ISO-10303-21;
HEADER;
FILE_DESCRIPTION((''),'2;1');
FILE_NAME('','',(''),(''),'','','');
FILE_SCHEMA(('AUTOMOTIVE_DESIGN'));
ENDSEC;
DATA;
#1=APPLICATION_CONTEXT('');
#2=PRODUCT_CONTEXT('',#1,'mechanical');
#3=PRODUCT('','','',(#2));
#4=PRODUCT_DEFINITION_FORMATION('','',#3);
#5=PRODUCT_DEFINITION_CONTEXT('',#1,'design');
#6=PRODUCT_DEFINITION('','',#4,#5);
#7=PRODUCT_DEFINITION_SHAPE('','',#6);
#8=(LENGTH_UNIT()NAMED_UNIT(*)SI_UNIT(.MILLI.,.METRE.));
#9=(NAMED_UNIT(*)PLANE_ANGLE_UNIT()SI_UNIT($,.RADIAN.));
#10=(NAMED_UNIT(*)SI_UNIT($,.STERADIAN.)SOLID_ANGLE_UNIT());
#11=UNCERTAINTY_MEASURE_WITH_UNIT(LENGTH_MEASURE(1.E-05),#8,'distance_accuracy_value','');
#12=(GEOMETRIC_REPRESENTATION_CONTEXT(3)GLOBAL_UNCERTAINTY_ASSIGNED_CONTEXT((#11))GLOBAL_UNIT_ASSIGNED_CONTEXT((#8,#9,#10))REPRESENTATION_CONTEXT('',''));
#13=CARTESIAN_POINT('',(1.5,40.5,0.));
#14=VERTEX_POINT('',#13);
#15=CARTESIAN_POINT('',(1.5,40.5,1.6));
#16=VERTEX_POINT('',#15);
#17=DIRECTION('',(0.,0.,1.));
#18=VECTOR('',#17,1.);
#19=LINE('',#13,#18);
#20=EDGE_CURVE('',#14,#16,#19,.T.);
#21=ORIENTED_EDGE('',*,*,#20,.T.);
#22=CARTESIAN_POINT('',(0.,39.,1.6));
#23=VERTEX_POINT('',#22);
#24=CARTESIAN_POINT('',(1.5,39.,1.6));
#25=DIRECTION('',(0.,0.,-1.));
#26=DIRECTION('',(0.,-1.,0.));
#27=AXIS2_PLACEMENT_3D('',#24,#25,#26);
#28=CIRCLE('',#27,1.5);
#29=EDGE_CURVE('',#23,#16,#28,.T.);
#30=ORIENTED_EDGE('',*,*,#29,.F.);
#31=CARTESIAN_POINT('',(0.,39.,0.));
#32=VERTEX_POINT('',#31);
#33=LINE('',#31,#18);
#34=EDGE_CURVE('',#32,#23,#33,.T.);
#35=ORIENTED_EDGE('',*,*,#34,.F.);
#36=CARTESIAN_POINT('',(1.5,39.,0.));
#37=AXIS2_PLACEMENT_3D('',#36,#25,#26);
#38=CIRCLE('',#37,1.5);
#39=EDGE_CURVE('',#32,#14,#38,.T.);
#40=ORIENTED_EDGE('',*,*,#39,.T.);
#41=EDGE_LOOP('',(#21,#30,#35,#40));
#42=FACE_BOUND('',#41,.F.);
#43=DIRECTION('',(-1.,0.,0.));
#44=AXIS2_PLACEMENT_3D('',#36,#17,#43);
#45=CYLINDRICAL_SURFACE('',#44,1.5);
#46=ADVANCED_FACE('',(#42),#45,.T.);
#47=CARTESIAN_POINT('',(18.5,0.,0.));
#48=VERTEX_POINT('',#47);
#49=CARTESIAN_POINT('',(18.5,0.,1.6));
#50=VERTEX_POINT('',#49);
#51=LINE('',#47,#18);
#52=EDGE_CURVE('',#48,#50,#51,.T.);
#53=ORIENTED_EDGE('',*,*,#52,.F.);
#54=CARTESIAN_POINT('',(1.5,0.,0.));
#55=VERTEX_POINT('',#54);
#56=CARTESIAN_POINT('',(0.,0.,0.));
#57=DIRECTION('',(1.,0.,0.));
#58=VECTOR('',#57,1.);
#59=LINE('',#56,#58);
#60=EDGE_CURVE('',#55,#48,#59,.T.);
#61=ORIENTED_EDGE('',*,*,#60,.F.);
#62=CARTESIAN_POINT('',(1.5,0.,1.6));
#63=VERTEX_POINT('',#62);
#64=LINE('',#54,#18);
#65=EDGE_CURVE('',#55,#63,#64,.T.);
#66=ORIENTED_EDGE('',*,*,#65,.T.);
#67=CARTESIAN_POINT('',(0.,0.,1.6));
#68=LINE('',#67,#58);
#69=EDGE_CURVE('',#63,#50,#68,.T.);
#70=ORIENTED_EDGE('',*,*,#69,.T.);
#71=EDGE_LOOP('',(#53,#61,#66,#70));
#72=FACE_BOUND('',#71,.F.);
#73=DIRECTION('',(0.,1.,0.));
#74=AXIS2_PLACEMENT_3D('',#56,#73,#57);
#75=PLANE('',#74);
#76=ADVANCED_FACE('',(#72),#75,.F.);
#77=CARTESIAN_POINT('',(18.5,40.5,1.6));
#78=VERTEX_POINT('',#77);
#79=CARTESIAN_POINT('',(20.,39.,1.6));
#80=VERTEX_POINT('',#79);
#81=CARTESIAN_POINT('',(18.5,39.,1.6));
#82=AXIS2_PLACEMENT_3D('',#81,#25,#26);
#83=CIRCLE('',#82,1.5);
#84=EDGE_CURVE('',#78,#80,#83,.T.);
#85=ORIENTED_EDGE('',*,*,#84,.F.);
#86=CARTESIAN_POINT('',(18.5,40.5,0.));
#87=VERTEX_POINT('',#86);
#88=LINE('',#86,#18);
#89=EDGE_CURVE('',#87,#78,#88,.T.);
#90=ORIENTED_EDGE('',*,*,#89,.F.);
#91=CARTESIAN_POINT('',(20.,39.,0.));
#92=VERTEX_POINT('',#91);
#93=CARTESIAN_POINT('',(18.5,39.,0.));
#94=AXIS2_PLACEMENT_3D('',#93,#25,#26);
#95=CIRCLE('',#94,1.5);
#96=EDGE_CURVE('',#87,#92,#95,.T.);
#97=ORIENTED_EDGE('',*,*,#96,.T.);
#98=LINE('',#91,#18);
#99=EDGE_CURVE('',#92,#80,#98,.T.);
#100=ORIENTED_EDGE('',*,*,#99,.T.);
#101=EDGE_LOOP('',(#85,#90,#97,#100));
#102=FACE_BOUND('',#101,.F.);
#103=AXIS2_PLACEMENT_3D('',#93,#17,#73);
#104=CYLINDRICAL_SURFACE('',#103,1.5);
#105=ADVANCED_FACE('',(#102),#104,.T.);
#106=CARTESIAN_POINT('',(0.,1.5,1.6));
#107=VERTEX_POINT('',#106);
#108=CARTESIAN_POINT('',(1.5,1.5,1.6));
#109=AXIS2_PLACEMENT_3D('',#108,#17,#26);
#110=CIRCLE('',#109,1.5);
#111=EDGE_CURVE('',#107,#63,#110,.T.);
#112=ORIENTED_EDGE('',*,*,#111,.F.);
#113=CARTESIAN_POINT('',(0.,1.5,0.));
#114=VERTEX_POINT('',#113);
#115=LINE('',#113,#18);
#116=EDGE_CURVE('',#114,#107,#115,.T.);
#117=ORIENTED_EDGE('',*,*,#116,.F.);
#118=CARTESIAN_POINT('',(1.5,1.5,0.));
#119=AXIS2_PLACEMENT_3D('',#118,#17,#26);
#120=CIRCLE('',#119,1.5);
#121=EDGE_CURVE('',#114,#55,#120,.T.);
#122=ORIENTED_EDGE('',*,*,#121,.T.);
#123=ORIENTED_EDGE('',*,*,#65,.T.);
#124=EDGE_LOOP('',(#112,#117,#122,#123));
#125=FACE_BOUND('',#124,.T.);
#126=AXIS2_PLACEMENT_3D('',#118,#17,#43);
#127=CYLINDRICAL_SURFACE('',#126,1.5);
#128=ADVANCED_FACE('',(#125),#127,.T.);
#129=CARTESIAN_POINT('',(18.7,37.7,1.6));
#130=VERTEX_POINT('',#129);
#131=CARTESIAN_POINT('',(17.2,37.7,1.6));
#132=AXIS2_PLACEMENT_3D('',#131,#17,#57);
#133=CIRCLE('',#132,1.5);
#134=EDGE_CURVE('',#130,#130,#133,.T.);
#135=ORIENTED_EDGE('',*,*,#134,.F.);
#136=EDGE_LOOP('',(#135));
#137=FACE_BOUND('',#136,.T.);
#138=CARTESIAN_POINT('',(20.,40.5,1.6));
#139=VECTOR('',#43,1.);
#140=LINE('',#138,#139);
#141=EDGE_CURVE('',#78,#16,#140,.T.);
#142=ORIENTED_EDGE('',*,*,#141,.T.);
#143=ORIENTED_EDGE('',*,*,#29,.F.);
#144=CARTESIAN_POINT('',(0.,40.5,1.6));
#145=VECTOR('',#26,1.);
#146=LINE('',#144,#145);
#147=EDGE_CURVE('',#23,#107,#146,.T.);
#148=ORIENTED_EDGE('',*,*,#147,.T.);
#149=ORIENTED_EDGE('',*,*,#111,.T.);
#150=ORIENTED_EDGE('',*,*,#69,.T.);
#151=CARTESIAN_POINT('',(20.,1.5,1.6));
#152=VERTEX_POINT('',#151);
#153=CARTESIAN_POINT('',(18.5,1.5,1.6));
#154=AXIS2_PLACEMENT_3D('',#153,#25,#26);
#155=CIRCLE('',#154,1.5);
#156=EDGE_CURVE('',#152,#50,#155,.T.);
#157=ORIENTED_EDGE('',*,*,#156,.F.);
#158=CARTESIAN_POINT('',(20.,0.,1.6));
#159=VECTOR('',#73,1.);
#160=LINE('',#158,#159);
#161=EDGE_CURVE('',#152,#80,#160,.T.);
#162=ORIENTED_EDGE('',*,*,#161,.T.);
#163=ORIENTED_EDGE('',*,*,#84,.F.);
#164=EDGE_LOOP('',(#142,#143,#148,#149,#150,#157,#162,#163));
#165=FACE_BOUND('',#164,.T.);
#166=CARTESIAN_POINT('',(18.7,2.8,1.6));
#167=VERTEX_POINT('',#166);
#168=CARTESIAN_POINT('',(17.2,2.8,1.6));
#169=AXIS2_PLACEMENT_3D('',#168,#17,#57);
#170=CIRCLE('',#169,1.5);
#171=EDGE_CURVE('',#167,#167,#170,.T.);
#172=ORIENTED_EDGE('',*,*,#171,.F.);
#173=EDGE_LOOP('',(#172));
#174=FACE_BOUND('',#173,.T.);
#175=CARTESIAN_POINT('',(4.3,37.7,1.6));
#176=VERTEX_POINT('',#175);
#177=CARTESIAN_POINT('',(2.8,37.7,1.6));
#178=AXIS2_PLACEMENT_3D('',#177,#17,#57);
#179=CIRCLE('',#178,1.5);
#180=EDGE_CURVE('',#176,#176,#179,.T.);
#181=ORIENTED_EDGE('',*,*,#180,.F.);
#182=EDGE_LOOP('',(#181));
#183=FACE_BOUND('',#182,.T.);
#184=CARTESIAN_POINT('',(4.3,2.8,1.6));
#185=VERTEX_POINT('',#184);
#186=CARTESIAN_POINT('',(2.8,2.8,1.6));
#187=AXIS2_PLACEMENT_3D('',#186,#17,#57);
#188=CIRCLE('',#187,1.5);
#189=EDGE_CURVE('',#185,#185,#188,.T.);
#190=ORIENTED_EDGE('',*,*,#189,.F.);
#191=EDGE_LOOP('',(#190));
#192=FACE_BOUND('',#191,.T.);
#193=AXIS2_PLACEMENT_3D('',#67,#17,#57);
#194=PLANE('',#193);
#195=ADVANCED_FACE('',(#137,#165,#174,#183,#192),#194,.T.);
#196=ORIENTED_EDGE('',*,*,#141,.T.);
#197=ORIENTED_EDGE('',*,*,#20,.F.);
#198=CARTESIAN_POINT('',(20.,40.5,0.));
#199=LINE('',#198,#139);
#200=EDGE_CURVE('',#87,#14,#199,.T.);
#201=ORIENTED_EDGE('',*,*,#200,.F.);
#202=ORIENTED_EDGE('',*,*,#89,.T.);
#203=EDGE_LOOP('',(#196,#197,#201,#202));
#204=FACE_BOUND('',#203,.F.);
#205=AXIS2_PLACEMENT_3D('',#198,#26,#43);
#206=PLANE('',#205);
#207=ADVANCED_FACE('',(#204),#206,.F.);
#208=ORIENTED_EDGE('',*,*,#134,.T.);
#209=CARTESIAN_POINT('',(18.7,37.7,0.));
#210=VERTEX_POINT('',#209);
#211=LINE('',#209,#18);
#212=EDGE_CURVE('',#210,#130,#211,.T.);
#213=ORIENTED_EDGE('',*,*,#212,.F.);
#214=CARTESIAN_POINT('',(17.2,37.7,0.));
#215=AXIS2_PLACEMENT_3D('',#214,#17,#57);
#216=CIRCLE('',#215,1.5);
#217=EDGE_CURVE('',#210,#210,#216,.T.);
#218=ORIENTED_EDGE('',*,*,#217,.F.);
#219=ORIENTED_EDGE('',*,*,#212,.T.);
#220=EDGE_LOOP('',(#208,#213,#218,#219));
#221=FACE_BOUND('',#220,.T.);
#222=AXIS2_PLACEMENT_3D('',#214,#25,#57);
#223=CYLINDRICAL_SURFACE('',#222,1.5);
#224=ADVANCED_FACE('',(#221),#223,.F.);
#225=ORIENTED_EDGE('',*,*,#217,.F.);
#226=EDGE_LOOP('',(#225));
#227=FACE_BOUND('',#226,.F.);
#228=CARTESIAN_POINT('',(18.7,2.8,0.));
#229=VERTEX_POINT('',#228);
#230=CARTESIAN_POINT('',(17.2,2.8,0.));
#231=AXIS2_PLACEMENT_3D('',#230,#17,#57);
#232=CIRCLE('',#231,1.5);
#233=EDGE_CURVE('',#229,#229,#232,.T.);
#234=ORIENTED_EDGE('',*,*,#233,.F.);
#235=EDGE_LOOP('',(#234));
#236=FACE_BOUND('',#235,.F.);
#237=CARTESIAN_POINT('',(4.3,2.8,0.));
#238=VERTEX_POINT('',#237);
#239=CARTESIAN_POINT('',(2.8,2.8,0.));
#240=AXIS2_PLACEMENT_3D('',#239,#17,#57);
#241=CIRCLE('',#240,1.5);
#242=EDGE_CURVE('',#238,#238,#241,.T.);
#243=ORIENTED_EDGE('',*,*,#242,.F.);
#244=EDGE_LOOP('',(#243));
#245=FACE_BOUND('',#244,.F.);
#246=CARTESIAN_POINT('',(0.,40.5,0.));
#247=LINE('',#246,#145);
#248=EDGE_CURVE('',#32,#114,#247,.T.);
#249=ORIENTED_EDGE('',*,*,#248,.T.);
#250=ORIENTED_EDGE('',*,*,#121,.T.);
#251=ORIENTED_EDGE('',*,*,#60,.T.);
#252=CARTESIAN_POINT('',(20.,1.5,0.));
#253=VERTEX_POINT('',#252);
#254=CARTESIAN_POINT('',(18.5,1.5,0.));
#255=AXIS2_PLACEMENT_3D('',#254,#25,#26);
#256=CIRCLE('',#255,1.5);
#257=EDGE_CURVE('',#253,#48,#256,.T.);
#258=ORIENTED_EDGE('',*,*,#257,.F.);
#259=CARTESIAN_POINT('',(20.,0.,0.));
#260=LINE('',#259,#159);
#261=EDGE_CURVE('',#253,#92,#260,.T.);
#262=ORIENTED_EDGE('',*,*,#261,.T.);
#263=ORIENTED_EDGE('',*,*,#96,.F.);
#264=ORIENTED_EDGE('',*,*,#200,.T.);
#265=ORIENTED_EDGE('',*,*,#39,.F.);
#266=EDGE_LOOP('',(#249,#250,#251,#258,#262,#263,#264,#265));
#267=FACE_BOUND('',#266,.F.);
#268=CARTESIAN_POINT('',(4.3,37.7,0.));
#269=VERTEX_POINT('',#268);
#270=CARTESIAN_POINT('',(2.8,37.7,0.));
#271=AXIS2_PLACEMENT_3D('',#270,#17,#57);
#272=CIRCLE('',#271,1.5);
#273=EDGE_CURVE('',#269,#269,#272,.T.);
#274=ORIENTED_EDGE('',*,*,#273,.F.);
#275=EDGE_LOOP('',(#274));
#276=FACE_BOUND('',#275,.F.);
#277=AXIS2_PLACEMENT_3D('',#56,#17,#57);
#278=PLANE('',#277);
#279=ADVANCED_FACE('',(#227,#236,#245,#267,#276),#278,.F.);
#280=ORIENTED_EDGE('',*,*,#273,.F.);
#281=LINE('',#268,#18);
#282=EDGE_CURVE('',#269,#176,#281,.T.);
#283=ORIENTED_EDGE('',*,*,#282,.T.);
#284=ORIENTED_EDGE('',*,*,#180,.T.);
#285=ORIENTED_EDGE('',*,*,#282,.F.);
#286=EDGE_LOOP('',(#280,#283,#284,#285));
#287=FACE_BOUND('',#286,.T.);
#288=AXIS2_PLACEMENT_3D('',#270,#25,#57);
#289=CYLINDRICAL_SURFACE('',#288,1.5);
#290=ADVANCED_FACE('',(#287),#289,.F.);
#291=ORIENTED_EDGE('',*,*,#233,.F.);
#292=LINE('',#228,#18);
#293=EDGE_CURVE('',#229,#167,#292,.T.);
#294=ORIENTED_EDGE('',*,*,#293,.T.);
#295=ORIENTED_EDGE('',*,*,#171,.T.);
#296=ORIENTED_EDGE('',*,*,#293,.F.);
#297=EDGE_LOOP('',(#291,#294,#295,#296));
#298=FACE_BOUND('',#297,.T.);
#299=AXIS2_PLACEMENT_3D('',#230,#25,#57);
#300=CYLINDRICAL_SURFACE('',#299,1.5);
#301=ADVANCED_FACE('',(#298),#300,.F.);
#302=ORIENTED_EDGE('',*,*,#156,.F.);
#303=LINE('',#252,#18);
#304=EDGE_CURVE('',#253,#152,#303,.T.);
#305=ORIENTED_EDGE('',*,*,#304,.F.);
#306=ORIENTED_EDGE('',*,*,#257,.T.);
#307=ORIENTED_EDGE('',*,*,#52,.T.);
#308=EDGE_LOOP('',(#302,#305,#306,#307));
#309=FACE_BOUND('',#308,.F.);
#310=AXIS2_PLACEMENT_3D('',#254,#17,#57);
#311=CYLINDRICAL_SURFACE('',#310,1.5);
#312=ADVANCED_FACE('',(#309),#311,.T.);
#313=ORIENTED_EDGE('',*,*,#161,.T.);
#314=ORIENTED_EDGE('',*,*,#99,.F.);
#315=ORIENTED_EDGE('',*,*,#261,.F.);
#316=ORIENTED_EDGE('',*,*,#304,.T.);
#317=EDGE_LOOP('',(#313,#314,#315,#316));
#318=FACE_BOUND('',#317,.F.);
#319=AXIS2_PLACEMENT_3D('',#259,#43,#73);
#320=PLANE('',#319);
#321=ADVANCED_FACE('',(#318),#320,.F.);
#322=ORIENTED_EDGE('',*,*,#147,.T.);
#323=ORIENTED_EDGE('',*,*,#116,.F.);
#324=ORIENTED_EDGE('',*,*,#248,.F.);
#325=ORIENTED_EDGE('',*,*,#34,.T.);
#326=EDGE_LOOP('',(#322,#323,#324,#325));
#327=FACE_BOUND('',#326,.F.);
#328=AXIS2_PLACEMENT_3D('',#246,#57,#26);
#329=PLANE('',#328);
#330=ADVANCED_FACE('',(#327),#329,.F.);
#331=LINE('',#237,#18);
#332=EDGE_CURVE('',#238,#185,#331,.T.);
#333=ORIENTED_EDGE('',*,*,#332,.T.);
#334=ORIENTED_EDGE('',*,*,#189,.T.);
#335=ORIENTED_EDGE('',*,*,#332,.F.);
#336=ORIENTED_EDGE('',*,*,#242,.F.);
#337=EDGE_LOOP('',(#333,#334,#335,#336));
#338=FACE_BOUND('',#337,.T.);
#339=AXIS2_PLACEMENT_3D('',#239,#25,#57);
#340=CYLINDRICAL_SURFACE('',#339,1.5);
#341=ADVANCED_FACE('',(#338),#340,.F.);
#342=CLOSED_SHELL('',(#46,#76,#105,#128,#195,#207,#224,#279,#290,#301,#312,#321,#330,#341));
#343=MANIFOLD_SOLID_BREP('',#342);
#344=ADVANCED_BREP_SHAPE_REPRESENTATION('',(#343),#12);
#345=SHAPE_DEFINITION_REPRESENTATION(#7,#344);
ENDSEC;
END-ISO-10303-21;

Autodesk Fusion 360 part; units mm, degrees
sketch "Sketch1" plane through (0, 0, 0) normal (0, 0, 1) x (1, 0, 0)
  line L0 (0, 0) -> (20, 0)
  line L1 (20, 0) -> (20, 40.5)
  line L2 (20, 40.5) -> (0, 40.5)
  line L3 (0, 40.5) -> (0, 0)
  line L4 (10, 40.5) -> (10, 0) construction
  circle A0 centre (2.8, 37.7) radius 1.5
  circle A1 centre (2.8, 2.8) radius 1.5
  circle A2 centre (17.2, 37.7) radius 1.5
  circle A3 centre (17.2, 2.8) radius 1.5
  dimension "d1" = 20
  dimension "d2" = 40.5
  dimension "d3" = 3
  dimension "d4" = 3
  dimension "d5" = 2.8
  dimension "d6" = 2.8
  dimension "d7" = 2.8
  dimension "d8" = 2.8
extrude "Extrude1" add sketch "Sketch1" along normal blind 1.6
fillet "Fillet1" radius 1.5 4 edges at (20, 0, 0.8) (20, 40.5, 0.8) (0, 40.5, 0.8) (0, 0, 0.8)
